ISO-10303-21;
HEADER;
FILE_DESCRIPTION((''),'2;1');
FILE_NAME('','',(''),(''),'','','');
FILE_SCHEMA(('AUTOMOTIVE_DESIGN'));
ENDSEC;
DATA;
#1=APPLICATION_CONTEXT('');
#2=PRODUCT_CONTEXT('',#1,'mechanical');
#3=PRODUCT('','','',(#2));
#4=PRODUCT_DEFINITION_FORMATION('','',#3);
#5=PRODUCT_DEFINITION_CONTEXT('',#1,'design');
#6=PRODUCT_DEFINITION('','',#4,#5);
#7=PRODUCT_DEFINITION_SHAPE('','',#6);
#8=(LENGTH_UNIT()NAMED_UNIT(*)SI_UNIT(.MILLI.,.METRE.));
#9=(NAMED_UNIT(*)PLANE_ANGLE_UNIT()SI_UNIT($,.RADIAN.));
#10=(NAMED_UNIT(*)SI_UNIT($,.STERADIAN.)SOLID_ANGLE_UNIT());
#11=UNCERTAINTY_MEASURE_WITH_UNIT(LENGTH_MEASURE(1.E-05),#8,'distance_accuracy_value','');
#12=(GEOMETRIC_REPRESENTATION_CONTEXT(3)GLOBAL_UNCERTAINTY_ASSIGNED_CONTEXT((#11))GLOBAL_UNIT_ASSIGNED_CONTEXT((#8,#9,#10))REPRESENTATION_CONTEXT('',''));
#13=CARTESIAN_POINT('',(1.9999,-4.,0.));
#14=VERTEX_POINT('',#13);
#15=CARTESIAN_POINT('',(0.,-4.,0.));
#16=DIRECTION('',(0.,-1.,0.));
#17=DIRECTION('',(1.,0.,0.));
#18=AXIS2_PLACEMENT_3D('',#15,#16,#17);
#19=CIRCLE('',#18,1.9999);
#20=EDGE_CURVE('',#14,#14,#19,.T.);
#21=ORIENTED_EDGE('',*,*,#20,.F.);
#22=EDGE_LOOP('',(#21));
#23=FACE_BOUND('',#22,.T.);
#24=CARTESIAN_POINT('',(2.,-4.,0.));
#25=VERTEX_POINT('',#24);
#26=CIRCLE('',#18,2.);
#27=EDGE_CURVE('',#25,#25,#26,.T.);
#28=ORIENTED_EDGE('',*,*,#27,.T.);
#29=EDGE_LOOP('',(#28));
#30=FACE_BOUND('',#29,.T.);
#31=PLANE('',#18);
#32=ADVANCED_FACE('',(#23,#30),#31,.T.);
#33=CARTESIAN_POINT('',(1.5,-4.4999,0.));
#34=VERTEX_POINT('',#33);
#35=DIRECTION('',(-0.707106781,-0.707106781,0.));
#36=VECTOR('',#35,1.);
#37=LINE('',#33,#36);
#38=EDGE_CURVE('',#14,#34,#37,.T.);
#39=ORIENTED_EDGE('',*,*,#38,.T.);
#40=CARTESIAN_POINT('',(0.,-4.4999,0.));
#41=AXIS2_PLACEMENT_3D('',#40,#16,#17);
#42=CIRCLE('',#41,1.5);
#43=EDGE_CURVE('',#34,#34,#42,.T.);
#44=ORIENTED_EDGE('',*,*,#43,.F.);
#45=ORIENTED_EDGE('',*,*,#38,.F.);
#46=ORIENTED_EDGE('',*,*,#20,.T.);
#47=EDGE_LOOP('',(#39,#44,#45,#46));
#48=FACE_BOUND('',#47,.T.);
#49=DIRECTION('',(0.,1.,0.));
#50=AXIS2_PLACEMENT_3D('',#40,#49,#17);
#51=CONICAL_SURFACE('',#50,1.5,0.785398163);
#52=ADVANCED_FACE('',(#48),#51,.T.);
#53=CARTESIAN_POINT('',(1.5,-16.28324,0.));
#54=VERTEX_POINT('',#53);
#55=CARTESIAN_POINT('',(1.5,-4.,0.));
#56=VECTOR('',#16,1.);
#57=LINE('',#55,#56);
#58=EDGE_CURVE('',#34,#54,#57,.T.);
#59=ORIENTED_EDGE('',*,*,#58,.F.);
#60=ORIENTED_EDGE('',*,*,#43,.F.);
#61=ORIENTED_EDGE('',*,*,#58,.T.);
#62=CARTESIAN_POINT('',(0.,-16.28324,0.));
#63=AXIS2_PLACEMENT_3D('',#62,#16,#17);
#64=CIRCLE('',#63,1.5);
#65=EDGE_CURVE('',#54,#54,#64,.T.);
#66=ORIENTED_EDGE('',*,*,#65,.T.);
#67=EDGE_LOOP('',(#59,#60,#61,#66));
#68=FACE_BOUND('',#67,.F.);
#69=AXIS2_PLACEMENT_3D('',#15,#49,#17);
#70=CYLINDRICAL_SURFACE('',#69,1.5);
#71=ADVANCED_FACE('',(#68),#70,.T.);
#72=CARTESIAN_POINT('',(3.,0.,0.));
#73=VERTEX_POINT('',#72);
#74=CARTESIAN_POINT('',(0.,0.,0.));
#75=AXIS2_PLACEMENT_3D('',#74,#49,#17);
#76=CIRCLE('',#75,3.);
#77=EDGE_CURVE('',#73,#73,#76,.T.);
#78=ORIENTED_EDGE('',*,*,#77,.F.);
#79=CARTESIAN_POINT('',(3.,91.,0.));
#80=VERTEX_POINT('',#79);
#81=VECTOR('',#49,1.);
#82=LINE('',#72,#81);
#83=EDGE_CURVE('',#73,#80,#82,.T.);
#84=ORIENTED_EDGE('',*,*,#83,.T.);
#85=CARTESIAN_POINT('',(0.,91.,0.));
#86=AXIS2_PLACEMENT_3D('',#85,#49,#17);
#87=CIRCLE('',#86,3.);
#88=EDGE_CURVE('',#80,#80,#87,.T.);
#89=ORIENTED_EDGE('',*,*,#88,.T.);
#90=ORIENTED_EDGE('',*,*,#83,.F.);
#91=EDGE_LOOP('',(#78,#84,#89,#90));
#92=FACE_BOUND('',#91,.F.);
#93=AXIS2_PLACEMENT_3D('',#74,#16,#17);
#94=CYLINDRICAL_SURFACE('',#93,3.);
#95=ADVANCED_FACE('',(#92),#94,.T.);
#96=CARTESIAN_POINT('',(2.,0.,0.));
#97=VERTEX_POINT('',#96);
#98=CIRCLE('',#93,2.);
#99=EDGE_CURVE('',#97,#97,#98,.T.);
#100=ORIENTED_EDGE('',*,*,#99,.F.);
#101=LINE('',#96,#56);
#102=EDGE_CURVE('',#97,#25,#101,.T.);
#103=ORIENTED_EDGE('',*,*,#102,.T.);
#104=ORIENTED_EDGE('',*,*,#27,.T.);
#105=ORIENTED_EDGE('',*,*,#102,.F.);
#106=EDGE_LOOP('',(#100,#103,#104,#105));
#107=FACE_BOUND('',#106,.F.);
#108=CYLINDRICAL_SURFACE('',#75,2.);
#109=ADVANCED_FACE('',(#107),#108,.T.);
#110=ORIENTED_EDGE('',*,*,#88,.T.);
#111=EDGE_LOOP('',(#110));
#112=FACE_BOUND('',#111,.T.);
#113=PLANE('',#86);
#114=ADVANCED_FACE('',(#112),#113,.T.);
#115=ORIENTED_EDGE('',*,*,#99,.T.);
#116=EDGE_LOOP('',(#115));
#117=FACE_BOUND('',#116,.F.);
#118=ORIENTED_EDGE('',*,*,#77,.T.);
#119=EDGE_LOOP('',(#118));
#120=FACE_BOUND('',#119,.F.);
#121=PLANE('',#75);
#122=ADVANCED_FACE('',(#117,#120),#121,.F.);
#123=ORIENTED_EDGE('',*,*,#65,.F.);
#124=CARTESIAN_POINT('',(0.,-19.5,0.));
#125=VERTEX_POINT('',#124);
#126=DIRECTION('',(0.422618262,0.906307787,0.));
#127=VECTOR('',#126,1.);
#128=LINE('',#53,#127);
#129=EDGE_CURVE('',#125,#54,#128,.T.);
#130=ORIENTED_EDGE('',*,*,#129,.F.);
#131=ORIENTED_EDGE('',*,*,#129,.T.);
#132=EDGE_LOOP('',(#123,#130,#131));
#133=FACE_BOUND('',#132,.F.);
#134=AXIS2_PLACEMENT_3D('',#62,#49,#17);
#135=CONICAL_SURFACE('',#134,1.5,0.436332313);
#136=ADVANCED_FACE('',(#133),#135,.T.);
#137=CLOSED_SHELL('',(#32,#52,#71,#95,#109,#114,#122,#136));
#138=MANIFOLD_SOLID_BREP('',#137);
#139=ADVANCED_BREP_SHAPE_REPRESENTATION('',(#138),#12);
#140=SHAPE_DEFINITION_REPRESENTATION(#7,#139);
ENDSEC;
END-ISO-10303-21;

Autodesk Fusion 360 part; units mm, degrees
sketch "Sketch1" plane through (0, 0, 0) normal (0, 1, 0) x (1, 0, 0)
  circle A0 centre (0, 0) radius 3
  dimension "d1" = 6
extrude "Extrude1" add sketch "Sketch1" along normal blind 91
sketch "Sketch2" plane through (0, 0, 0) normal (0, -1, 0) x (1, 0, 0)
  circle A0 centre (0, 0) radius 3
  circle A1 centre (0, 0) radius 2
  dimension "d4" = 4
extrude "Extrude2" add sketch "Sketch2" along normal blind 4 contours A1
sketch "Sketch3" plane through (0, -4, 0) normal (0, -1, 0) x (1, 0, 0)
  circle A0 centre (0, 0) radius 2
  circle A1 centre (0, 0) radius 1.5
  dimension "d7" = 3
extrude "Extrude3" add sketch "Sketch3" along normal blind 17 contours A1
chamfer "Chamfer1" distance 0.5 angle 45 1 edges at (-1.3985, -4, 0.5424)
extrude "Extrude4" cut 1 faces at (0.567, -21, -0.5383) along direction (0, 1, 0) blind 1.5
chamfer "Chamfer3" distance 1.5 angle 65 1 edges at (-1.3985, -19.5, 0.5424) measured on face at (0.567, -19.5, -0.5383)
equation "d13 = 19.5 mm - 21.00 mm"
